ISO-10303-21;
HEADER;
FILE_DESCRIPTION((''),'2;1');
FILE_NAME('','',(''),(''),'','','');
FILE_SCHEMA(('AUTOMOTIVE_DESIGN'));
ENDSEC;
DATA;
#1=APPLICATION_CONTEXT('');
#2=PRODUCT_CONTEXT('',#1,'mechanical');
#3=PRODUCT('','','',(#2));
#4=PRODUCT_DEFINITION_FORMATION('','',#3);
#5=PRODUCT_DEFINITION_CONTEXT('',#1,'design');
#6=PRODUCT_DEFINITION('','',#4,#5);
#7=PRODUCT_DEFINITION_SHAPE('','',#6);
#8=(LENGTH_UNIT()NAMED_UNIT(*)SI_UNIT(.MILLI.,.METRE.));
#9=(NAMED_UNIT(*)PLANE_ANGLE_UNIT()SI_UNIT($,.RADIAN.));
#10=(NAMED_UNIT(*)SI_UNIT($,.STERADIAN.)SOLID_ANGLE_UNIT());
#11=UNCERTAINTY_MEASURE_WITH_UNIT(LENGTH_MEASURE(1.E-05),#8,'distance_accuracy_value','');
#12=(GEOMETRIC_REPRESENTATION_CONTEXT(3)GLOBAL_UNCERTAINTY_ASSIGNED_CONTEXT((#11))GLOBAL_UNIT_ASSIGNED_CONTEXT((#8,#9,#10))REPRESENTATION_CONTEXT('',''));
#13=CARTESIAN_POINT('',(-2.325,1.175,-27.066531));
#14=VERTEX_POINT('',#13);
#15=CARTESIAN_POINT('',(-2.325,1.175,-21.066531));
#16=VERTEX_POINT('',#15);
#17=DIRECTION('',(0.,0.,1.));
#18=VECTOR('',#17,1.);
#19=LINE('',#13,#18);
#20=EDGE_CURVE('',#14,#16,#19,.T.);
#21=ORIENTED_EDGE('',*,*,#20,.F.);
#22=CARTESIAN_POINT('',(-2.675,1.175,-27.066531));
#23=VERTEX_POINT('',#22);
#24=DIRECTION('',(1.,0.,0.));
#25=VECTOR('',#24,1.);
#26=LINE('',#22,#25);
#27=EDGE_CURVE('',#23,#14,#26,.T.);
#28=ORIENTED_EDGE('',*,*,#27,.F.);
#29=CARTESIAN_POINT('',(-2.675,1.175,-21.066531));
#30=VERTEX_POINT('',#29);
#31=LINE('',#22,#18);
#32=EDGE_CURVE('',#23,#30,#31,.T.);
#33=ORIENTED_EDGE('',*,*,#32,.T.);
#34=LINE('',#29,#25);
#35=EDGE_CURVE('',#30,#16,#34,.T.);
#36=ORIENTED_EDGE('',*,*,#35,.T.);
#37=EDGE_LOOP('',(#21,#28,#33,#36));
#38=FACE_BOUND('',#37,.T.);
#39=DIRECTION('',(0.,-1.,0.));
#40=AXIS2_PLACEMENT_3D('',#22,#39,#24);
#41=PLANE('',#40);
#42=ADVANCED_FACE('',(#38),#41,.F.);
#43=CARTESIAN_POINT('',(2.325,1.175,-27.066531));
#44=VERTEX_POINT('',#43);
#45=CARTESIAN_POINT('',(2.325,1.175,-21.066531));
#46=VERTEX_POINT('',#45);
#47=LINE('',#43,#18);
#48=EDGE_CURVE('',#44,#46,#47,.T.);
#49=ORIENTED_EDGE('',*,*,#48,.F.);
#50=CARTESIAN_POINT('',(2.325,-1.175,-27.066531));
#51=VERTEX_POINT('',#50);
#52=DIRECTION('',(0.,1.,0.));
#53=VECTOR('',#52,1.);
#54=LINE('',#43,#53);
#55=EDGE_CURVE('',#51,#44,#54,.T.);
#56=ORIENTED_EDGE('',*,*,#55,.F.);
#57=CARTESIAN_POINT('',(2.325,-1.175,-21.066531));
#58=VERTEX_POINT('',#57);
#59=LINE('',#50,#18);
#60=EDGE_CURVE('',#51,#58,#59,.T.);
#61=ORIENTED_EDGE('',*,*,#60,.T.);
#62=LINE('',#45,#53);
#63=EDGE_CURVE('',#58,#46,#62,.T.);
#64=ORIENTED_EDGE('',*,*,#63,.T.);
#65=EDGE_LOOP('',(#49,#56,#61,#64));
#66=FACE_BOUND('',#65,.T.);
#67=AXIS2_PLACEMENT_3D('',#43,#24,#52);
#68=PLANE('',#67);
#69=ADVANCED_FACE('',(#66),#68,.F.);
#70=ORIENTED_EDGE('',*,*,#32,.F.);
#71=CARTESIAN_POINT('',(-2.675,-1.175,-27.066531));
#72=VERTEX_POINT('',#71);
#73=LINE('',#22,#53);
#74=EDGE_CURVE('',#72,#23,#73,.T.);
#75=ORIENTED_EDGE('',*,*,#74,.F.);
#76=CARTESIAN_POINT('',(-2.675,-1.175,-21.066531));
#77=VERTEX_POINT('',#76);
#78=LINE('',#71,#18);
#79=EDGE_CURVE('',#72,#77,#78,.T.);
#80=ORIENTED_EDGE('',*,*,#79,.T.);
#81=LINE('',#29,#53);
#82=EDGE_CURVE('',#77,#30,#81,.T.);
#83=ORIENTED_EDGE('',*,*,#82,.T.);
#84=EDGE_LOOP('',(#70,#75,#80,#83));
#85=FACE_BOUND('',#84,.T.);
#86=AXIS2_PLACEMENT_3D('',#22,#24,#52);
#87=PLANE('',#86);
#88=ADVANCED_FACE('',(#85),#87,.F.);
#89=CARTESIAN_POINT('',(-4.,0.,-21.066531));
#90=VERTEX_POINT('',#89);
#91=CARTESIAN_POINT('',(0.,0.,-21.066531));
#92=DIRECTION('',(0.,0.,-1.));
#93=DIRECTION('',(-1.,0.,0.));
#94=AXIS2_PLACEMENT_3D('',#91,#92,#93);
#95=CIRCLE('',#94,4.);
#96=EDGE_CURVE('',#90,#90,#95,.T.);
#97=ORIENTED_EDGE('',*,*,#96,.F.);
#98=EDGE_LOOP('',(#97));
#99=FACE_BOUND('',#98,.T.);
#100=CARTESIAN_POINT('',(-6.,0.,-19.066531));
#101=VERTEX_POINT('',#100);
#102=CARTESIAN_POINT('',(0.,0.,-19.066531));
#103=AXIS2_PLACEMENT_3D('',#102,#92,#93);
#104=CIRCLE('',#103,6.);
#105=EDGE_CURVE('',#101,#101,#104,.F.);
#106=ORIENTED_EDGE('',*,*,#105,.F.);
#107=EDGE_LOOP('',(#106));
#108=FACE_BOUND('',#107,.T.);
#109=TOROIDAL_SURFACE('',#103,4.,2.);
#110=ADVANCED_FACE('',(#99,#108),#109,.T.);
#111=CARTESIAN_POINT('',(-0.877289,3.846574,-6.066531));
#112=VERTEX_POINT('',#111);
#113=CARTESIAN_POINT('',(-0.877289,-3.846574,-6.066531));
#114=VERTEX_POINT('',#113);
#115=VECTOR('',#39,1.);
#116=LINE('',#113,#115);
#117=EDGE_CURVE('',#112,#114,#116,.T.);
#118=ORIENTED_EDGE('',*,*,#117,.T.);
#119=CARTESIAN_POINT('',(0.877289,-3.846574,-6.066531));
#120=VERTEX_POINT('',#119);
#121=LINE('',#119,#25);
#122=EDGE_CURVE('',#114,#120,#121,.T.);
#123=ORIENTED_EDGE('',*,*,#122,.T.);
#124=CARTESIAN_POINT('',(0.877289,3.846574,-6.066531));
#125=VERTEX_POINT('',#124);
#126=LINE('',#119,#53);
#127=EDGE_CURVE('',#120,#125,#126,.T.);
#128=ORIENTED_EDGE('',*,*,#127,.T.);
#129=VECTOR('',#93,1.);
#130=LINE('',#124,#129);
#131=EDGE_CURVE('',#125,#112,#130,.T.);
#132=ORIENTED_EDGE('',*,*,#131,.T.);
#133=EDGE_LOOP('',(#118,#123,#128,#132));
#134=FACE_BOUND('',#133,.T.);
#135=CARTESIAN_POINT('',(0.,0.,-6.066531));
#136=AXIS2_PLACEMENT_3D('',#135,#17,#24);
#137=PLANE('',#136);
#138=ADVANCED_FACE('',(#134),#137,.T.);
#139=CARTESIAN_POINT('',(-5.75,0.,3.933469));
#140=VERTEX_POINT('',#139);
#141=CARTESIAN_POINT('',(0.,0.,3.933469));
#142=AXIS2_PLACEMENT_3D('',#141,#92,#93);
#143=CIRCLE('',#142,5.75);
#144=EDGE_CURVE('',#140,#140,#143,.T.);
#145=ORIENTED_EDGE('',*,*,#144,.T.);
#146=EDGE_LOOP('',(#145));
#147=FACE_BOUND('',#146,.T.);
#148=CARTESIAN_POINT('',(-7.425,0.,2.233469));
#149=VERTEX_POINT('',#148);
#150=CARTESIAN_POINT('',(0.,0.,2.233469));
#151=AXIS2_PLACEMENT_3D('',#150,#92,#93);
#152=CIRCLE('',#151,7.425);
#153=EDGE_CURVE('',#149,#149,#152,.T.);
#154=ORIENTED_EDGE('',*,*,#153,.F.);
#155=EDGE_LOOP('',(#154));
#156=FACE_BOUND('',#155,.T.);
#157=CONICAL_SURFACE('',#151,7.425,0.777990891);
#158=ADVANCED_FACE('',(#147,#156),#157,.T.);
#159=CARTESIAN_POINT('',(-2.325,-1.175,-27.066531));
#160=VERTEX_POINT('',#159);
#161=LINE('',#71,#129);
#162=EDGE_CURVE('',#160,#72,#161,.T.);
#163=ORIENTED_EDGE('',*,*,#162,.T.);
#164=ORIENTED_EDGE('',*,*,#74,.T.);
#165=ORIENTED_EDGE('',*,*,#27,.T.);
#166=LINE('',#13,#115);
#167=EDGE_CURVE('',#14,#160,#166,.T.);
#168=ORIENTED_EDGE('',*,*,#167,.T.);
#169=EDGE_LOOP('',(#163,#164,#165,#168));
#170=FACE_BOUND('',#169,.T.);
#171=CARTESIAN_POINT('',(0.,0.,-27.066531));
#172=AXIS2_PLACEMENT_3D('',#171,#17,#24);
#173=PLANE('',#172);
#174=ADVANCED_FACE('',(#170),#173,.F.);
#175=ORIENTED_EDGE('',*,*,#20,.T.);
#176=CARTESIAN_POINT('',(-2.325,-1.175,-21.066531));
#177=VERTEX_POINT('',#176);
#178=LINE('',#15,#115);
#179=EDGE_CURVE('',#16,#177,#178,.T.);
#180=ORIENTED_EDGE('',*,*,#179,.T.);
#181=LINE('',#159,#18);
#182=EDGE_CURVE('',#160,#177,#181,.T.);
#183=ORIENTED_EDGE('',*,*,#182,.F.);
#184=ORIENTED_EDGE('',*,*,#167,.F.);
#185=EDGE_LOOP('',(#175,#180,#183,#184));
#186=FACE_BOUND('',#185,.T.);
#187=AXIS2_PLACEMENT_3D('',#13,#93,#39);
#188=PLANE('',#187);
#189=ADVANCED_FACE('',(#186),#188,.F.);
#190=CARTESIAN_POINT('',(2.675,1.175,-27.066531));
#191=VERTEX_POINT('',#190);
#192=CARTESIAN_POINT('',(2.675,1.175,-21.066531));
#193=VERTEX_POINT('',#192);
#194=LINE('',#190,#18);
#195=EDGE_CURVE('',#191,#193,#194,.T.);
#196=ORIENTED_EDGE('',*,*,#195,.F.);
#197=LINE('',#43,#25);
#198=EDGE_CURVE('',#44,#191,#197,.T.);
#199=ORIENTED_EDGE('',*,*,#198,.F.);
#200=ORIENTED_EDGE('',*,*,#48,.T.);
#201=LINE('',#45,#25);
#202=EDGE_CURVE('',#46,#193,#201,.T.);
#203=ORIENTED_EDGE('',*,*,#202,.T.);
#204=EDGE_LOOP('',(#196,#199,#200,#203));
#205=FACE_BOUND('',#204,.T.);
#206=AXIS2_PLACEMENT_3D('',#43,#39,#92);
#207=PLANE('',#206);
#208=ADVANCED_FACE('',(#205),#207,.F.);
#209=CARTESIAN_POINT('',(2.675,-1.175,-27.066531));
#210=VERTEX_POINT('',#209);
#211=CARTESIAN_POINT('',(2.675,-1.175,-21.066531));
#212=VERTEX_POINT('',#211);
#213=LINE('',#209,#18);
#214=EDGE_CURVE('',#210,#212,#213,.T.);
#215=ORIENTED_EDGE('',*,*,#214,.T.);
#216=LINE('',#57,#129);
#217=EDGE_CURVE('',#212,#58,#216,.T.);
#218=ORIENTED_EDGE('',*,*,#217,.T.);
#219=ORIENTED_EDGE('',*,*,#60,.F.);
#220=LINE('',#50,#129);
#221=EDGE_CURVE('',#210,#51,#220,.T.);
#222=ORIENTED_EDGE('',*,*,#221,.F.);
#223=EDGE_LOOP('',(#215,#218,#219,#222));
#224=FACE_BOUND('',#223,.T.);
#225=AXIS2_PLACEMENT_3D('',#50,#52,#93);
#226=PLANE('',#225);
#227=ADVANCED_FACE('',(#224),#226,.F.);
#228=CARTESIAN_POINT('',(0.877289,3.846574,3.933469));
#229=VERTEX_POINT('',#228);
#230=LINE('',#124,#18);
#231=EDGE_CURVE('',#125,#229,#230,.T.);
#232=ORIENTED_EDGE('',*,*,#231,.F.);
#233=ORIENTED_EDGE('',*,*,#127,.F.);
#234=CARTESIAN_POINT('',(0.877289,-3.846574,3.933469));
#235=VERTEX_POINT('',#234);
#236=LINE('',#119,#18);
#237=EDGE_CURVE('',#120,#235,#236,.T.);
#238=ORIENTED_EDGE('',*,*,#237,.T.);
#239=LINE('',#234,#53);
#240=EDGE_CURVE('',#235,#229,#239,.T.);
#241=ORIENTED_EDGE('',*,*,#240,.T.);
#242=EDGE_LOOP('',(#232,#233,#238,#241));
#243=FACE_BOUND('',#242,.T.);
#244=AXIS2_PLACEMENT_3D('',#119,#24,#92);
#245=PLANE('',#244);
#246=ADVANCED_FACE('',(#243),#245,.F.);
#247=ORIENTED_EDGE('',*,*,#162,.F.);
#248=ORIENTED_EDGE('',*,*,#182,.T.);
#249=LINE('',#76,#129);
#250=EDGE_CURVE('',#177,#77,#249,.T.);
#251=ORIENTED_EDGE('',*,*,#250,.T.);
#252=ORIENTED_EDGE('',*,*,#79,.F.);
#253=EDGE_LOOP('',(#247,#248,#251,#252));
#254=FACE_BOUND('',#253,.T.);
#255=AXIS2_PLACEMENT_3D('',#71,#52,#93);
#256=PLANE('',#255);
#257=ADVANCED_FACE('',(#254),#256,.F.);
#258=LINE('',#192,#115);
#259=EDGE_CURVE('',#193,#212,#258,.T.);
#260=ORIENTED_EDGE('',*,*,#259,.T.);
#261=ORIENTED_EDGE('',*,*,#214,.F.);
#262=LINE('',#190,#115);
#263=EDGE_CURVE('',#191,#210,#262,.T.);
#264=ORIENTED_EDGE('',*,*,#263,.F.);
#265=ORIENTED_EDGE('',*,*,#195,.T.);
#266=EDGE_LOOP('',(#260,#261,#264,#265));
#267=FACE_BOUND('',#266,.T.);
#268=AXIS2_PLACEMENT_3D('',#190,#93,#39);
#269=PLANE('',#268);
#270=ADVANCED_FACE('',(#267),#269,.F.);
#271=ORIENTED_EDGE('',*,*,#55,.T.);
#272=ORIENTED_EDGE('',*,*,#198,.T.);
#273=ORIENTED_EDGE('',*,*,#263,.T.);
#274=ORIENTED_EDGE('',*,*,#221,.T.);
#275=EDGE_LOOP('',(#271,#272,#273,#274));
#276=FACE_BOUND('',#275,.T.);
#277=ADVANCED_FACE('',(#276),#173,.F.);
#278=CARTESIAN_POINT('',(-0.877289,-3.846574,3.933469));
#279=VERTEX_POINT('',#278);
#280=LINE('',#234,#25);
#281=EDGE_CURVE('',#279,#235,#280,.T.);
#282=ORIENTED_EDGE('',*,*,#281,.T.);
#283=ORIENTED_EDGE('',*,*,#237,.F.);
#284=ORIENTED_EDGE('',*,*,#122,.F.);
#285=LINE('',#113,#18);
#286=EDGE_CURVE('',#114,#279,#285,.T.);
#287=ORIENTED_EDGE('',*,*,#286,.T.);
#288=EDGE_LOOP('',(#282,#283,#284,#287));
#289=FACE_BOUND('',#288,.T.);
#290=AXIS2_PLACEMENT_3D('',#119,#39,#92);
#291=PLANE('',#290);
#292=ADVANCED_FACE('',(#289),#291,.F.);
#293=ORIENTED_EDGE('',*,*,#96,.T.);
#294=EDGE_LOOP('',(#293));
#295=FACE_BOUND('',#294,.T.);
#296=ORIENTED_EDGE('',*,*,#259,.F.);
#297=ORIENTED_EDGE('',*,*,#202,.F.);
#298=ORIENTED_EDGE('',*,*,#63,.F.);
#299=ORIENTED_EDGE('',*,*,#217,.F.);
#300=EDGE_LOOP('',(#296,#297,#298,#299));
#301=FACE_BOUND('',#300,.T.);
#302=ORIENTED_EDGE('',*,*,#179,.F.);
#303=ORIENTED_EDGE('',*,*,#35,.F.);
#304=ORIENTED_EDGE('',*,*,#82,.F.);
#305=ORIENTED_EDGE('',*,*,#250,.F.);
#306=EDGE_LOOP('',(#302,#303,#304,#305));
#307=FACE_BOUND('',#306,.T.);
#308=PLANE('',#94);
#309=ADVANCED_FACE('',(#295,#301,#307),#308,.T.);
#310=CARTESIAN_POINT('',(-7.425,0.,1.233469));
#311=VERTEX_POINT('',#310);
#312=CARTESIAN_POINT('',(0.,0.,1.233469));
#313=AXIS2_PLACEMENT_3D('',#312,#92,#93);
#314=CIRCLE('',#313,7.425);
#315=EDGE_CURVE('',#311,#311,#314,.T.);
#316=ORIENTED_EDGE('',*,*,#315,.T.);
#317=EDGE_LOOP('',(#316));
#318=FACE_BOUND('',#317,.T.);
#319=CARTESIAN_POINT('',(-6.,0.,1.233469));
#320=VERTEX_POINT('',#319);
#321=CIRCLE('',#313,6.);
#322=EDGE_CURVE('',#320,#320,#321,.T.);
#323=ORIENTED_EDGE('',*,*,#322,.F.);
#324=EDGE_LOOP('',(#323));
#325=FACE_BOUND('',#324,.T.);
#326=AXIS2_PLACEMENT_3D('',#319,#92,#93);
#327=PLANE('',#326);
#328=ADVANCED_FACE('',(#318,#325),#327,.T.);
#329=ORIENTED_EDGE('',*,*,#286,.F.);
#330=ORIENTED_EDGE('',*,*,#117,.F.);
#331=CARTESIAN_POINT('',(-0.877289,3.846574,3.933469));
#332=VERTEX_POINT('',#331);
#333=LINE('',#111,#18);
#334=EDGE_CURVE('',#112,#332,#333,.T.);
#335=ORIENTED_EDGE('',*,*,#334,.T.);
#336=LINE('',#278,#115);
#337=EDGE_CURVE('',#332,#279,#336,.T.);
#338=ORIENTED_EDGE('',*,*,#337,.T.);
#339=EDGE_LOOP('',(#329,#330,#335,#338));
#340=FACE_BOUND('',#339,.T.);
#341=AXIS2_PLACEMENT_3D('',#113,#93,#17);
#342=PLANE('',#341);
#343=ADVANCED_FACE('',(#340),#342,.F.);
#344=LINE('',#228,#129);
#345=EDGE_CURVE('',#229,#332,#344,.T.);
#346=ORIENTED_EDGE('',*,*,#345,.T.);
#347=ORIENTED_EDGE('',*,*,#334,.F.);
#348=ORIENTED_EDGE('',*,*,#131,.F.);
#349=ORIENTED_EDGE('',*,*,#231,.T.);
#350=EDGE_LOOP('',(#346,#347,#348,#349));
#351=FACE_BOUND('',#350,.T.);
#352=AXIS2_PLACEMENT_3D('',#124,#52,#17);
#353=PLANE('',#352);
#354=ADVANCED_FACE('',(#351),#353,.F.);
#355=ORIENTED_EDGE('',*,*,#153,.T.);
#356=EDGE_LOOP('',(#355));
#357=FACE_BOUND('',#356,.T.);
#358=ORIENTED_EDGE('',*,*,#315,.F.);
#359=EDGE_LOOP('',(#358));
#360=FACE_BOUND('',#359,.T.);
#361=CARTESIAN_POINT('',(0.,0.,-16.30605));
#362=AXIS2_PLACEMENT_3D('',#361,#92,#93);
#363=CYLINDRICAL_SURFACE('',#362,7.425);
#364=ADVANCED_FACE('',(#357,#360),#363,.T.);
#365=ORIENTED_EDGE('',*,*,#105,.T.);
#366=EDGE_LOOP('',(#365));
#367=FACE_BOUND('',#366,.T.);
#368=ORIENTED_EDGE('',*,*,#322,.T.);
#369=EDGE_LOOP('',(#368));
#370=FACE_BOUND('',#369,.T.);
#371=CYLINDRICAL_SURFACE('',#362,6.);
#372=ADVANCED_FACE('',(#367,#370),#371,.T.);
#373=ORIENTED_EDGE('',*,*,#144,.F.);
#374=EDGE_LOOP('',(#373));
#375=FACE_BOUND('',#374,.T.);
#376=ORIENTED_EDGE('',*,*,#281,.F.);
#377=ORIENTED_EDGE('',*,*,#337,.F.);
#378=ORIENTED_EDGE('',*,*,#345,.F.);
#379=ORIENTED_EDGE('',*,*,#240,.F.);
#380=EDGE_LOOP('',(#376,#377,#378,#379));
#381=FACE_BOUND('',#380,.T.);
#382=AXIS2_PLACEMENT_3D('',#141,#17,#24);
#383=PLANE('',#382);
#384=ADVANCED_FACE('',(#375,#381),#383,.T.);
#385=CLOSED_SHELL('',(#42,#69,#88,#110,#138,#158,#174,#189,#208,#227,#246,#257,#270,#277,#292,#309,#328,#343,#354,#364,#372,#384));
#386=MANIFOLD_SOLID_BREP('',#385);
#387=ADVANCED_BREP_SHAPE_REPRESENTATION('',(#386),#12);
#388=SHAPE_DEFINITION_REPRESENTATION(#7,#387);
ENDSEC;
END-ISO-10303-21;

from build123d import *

# Parameters (mm, degrees)
SKETCH2_W           = 1.754577672
SKETCH2_H           = 7.693148258
CUT_EXTRUDE1_DEPTH  = 10
SKETCH3_W           = 0.35
SKETCH3_H           = 2.35
BOSS_EXTRUDE1_DEPTH = 6
FILLET1_R           = 2


with BuildPart() as part:
    # Sketch1 → Revolve1 (revolve)
    with BuildSketch(Plane(origin=(0, 0, 0), x_dir=(1, 0, 0), z_dir=(0, 1, 0))):
        Polygon((-7.425, -2.233468586), (-5.75, -3.933468586), (0, -3.933468586), (0, 0), (0, 21.066531414), (-6, 21.066531414), (-6, -1.233468586), (-7.425, -1.233468586), align=None)
    revolve(axis=Axis((0, 0, -16.306049865), (0, 0, 1)))

    # Sketch2 → Cut-Extrude1 (cut)
    with BuildSketch(Plane.XY.offset(3.933468586)):
        Rectangle(SKETCH2_W, SKETCH2_H)
    extrude(amount=-CUT_EXTRUDE1_DEPTH, mode=Mode.SUBTRACT)

    # Sketch3 → Boss-Extrude1 (add)
    with BuildSketch(Plane(origin=(0, 0, -21.066531414), x_dir=(-1, 0, 0), z_dir=(0, 0, -1))):
        with Locations((-2.5, 0)):
            Rectangle(SKETCH3_W, SKETCH3_H)
        with Locations((2.5, 0)):
            Rectangle(SKETCH3_W, SKETCH3_H)
    extrude(amount=BOSS_EXTRUDE1_DEPTH)

    # Fillet1
    fillet1_edges = [part.edges().sort_by_distance(p)[0] for p in [
        (6, 0, -21.066531414),
    ]]
    fillet(fillet1_edges, radius=FILLET1_R)


solid = part.part
